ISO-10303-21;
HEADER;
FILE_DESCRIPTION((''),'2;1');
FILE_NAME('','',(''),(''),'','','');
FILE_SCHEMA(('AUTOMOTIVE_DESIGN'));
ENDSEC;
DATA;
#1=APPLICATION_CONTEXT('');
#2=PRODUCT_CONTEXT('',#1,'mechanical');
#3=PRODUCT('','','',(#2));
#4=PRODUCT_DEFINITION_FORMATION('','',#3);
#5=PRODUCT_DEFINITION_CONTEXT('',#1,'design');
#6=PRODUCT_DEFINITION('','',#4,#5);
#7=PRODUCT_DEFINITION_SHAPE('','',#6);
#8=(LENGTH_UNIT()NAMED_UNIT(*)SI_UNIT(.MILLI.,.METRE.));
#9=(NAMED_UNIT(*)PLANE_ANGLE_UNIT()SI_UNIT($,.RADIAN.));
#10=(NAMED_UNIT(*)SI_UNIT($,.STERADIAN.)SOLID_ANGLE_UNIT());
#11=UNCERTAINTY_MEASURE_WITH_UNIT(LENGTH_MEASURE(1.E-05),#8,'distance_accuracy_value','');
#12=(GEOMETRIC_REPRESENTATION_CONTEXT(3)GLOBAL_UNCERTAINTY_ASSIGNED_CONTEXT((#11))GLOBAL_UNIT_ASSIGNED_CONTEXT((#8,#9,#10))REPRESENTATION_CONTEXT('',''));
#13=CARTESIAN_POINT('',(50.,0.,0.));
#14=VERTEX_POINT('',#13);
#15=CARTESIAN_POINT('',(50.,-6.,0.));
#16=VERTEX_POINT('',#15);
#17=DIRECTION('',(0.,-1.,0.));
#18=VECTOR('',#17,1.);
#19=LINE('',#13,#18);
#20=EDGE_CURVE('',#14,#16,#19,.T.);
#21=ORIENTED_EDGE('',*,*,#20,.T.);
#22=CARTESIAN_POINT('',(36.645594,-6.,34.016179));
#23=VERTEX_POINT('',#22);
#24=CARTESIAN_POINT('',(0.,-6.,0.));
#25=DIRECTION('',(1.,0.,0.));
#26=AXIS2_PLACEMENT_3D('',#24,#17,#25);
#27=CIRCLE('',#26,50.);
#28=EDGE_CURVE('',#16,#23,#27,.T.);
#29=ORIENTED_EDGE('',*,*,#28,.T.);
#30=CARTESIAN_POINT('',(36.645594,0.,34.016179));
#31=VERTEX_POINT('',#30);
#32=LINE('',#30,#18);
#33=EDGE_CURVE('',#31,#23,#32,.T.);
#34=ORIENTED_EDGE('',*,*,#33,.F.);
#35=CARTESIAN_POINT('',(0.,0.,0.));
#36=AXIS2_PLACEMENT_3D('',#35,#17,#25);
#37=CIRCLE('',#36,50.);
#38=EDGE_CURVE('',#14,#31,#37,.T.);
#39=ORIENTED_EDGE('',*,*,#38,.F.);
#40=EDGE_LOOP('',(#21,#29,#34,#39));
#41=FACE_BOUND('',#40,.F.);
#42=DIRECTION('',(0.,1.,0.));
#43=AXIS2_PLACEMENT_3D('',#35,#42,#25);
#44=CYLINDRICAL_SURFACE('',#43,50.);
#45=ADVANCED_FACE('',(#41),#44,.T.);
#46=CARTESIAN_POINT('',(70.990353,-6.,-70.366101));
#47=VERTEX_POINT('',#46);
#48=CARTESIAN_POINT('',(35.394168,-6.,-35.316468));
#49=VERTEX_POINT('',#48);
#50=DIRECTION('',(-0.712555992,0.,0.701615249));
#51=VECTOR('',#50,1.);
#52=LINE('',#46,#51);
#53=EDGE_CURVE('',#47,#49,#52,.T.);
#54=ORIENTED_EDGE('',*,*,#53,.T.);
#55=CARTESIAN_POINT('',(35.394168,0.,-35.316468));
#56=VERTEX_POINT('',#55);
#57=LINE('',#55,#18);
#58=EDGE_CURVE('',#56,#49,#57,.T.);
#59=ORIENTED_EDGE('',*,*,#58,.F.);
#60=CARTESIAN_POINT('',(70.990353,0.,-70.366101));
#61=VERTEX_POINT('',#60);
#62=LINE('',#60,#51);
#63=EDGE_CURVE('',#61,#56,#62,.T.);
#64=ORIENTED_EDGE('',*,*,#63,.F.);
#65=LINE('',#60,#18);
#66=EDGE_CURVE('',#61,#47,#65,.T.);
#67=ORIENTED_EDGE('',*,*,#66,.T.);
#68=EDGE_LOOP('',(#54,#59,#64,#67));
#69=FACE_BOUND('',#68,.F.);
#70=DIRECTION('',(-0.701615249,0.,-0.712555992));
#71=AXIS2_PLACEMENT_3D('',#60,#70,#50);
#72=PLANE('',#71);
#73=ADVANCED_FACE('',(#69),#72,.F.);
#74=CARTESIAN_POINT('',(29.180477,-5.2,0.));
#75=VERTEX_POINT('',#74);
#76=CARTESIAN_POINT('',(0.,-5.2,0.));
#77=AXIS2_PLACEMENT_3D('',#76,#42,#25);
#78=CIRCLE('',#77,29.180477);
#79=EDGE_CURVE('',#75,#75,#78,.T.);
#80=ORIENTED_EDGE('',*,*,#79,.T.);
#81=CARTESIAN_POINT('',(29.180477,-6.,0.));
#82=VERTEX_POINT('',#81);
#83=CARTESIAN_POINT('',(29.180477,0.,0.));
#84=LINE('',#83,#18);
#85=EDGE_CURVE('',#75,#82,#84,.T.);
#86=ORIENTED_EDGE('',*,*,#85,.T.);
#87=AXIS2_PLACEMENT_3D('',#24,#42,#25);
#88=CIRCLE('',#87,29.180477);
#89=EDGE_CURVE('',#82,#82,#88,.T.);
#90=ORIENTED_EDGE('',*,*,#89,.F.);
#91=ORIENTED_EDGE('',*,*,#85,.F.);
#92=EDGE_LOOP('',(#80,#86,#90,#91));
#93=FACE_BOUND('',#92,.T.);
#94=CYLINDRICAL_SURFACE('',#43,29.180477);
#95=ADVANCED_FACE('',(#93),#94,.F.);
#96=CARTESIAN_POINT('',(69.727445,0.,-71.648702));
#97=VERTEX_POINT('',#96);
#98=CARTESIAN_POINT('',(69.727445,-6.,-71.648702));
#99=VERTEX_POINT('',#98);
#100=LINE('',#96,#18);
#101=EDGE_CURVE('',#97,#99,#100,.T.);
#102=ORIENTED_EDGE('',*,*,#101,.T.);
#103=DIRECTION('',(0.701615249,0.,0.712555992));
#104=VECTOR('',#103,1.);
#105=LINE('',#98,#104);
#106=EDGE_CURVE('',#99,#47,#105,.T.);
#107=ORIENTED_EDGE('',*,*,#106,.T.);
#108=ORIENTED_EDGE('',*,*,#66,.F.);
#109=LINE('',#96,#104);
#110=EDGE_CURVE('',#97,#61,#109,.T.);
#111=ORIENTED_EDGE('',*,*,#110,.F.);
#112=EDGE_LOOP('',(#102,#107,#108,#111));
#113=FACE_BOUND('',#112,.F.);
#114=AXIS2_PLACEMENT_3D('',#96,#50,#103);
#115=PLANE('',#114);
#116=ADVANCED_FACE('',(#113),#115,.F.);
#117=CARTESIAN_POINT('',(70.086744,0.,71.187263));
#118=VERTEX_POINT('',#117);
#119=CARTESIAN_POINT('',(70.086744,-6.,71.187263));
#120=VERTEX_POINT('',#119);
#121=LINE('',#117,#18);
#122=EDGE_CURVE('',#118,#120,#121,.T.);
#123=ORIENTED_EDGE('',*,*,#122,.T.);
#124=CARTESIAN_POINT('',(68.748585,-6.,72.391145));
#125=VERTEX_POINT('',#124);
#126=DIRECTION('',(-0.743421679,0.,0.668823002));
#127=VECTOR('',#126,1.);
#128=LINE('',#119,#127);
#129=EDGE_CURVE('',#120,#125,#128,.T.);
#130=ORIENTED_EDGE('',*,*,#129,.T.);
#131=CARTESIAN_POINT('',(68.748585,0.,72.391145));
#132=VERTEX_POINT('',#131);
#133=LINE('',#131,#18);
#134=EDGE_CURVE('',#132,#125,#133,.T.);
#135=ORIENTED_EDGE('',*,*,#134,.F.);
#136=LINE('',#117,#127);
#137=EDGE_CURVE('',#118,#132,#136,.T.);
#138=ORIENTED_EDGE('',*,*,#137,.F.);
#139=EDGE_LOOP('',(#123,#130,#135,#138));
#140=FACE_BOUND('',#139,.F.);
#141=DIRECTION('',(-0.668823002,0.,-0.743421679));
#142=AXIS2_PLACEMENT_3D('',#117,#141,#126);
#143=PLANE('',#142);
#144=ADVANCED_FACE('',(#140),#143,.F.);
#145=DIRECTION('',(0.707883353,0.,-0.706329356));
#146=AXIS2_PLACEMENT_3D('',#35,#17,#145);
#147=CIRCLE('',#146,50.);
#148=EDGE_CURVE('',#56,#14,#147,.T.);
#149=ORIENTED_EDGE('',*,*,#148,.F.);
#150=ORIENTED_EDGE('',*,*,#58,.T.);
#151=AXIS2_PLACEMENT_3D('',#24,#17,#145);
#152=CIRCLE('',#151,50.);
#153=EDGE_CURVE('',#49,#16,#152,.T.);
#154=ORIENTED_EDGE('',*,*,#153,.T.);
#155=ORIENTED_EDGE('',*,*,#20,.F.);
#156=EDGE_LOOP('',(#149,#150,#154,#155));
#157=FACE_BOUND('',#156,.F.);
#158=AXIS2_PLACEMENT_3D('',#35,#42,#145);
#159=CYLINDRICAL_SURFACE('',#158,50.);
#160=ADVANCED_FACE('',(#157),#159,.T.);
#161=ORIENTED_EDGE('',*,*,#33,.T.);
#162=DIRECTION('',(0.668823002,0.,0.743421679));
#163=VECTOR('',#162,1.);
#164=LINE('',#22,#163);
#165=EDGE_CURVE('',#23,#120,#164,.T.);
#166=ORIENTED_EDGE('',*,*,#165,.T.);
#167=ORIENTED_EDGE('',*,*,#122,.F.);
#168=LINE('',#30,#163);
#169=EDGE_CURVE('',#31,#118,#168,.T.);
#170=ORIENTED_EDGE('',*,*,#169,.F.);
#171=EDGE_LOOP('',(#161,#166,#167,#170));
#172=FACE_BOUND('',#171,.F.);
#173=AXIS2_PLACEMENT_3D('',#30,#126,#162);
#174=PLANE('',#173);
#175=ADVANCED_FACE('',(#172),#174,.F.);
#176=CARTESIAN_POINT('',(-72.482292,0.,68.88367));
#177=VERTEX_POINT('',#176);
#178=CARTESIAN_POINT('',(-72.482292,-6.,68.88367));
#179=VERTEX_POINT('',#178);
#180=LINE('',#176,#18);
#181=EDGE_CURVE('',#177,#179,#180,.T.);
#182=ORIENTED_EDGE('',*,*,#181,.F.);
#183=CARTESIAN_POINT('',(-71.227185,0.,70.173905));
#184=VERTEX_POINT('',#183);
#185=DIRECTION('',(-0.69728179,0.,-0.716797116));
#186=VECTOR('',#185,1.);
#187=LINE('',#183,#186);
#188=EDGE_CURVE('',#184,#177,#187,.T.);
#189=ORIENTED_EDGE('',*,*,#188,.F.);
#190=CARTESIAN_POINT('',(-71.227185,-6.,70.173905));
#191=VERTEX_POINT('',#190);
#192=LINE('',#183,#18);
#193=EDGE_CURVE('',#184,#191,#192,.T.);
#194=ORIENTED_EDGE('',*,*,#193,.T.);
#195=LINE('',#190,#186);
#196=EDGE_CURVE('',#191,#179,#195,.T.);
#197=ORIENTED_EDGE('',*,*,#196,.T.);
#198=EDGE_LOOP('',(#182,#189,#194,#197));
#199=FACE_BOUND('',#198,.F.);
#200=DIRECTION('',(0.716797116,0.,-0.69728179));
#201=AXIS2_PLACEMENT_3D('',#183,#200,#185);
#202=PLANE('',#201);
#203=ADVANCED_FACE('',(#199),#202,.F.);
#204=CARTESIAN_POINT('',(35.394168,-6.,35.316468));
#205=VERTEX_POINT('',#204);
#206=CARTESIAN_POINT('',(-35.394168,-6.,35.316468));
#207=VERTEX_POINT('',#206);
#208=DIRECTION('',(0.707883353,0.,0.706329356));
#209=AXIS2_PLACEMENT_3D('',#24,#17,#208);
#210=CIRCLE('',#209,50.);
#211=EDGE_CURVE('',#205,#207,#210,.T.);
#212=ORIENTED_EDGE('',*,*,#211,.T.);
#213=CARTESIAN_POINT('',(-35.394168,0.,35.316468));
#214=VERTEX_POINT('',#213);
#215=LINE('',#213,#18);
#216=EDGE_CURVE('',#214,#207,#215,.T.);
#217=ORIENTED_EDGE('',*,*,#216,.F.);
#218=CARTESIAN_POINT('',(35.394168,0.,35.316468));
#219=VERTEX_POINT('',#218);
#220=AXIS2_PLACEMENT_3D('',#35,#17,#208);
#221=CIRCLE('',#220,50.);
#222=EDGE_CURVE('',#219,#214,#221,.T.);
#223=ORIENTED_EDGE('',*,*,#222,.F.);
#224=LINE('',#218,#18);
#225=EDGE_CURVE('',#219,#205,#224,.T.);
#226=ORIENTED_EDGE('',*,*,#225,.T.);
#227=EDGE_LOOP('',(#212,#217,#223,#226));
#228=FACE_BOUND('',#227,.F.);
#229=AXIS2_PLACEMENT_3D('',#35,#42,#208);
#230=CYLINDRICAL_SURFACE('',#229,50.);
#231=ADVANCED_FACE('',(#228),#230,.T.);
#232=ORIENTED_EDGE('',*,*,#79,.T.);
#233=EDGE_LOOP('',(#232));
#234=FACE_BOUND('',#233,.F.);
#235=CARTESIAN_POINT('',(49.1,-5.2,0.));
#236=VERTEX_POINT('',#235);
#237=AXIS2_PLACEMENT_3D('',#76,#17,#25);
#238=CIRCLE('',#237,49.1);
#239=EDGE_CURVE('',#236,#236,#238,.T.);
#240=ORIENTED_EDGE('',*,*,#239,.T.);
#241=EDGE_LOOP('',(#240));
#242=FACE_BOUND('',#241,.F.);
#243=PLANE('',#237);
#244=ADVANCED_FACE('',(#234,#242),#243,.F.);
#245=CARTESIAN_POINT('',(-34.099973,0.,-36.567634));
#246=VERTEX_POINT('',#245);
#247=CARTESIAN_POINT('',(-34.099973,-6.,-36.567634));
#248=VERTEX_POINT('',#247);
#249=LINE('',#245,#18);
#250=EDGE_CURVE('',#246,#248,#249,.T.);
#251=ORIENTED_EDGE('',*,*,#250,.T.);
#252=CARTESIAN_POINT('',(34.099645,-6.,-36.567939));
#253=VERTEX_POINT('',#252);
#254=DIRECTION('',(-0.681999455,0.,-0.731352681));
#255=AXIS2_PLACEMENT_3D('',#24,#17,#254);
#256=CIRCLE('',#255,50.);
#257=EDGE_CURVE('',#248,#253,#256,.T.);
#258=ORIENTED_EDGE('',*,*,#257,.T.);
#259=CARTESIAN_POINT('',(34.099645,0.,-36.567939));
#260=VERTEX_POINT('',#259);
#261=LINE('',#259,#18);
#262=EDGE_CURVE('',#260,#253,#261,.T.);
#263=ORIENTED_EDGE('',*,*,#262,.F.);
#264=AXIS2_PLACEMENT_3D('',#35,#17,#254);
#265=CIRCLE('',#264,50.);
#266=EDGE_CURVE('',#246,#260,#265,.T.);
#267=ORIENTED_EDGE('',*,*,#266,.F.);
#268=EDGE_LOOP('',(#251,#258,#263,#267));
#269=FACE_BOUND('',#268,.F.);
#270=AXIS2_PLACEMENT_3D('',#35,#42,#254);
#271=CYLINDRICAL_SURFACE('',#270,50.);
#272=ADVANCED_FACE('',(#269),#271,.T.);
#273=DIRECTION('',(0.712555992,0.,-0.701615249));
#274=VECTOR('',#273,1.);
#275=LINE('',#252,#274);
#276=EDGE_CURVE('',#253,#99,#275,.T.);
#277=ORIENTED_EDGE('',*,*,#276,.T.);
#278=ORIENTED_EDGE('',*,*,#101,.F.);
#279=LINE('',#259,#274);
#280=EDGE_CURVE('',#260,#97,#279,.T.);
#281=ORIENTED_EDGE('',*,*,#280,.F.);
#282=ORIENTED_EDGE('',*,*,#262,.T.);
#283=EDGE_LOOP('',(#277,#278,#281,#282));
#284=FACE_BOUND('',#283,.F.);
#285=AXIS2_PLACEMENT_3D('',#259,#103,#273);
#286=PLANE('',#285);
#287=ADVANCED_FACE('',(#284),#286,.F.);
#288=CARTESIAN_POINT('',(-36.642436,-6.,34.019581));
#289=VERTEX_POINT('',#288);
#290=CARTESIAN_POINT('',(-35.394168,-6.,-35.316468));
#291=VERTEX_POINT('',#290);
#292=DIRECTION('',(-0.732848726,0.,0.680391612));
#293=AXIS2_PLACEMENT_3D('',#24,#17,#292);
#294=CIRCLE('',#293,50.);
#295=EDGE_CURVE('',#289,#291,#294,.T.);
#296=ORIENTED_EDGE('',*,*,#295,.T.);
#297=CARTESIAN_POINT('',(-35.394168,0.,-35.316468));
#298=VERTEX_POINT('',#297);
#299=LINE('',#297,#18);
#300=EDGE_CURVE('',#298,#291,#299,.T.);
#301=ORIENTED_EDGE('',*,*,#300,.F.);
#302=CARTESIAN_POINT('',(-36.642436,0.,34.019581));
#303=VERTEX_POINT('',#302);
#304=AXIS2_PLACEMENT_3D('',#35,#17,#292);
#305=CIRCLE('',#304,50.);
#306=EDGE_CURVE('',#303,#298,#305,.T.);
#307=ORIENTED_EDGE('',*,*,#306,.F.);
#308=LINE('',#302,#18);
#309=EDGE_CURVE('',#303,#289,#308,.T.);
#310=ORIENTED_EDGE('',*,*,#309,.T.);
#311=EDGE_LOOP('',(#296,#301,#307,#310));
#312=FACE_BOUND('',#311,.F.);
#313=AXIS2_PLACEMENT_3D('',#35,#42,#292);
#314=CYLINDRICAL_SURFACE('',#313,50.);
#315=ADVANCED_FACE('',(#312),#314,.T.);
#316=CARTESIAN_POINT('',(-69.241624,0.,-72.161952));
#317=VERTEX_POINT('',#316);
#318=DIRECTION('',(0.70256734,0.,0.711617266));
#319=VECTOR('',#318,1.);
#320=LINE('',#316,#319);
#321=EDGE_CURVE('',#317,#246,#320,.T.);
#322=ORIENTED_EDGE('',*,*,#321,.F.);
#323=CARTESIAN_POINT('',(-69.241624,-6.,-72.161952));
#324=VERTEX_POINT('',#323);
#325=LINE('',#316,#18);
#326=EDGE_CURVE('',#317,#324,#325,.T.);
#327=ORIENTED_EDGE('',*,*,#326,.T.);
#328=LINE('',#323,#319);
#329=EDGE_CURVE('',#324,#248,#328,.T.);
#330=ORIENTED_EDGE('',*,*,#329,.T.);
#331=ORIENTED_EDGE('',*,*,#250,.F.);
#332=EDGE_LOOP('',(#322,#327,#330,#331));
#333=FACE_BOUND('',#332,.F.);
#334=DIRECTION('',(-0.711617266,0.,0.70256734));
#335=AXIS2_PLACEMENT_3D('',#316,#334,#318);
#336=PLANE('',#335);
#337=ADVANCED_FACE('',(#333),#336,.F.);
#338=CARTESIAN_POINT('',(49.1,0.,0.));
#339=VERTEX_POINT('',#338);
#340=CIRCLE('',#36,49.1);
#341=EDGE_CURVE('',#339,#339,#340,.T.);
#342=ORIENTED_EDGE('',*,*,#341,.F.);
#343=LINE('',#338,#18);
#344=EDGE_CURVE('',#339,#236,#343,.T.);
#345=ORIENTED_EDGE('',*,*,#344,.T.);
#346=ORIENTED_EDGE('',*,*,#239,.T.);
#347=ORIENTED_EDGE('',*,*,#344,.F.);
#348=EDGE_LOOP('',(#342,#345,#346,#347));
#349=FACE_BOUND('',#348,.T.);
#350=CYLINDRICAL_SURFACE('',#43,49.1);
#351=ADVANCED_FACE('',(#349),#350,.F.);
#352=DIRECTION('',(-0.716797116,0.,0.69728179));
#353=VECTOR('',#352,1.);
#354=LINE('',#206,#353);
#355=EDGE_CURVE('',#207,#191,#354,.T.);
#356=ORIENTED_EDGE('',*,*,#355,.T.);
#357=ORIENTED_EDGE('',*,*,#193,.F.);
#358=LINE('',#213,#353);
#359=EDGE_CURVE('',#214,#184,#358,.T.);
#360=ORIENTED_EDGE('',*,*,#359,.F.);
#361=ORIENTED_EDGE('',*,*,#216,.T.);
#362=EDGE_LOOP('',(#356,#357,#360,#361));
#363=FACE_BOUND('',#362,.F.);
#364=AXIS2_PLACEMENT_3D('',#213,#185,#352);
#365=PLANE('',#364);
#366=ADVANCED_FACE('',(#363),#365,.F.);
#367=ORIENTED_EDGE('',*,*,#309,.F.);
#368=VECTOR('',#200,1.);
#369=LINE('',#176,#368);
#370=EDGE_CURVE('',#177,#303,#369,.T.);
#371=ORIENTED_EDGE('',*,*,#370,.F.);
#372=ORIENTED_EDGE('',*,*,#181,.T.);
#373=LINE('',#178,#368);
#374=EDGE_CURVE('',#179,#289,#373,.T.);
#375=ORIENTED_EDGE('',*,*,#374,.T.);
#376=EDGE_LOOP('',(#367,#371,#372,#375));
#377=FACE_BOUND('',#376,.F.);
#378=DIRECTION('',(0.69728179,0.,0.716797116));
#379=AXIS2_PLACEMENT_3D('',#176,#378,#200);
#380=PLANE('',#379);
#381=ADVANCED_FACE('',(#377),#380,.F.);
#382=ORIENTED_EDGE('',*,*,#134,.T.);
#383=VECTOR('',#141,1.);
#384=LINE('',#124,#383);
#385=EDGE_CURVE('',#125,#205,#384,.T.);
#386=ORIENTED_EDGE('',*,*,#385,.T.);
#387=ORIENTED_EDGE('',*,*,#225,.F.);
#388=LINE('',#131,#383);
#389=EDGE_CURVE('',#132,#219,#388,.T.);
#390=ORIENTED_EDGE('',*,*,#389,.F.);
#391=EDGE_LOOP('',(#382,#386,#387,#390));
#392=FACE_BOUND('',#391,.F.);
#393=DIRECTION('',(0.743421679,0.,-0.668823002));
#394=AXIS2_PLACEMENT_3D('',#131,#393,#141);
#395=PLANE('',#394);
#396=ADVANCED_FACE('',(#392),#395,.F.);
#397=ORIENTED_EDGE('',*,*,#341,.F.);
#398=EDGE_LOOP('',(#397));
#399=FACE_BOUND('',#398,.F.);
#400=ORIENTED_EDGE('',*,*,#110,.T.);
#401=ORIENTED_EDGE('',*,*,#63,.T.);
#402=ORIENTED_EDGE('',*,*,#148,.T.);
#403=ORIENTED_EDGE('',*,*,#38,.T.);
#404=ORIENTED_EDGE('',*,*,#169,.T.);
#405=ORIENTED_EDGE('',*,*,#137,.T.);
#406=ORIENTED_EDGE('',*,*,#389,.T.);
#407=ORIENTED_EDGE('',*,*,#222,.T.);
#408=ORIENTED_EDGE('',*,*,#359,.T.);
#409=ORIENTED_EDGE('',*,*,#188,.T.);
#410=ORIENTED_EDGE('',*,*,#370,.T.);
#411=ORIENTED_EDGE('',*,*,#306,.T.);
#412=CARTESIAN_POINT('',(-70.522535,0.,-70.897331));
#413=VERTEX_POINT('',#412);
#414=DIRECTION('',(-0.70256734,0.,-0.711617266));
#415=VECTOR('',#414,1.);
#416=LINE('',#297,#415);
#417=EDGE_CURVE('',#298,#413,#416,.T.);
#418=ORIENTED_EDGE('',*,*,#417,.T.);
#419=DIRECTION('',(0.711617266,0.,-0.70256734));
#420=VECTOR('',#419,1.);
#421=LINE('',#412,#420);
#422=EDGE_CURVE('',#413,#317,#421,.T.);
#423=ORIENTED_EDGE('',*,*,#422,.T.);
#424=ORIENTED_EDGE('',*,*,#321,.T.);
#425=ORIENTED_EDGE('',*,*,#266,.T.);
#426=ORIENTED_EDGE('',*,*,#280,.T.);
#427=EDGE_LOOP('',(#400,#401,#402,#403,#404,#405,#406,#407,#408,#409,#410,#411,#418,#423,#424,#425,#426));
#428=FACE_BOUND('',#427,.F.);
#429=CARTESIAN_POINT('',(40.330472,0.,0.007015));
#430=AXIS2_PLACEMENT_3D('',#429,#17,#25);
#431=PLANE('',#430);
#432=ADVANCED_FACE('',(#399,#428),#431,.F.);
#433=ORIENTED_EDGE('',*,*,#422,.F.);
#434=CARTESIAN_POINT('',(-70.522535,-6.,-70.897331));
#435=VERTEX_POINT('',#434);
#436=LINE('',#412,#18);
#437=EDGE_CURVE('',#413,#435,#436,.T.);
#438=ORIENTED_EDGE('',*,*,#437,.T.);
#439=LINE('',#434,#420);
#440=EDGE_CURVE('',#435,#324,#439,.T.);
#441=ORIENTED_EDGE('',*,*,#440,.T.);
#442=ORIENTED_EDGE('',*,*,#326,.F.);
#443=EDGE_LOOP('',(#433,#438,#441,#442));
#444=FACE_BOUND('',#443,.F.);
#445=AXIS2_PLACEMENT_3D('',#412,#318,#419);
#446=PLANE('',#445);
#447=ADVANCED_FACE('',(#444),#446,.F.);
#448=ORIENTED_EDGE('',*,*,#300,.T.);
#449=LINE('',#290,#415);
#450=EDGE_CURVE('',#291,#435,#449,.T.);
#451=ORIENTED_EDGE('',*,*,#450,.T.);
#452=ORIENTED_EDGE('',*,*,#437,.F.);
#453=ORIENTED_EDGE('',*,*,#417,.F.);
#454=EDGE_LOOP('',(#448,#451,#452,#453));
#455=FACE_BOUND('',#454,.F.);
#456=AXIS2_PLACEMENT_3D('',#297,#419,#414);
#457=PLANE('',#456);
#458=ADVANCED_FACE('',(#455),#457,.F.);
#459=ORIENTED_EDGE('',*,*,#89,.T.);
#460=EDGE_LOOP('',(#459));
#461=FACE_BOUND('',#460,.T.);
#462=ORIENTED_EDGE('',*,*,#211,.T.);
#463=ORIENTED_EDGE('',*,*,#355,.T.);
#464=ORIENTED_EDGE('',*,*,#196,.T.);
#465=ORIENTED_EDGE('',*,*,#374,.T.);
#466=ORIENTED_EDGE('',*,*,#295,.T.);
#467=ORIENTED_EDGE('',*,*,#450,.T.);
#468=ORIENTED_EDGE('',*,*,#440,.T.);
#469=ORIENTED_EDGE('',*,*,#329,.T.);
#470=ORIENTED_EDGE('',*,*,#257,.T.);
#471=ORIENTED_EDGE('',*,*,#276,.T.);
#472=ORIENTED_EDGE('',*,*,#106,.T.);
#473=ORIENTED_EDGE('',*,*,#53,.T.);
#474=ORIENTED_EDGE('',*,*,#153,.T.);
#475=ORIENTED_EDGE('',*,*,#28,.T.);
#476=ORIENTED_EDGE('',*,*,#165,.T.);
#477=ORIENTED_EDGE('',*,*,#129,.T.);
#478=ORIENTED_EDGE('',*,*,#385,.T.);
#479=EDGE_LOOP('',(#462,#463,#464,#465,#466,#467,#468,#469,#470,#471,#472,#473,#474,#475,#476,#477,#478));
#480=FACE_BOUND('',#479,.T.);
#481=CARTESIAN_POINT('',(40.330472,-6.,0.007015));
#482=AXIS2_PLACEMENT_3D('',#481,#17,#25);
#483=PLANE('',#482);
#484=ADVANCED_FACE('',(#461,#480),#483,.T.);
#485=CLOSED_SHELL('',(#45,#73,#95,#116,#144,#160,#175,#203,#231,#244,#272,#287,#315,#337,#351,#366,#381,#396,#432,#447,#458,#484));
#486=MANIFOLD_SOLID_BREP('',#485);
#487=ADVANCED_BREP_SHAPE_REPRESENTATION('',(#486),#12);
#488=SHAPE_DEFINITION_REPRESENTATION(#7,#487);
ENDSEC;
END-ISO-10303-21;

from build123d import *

# Parameters (mm, degrees)
F0_W     = 70.7883353009
F0_H     = 70.6329355565
F1_DEPTH = 6
F2_R     = 49.1
F3_DEPTH = 5.2
F4_R     = 29.1804773136
F5_DEPTH = 25


with BuildPart() as f1:
    # F0 (on Front) → F1 (new body)
    with BuildSketch(Plane.XZ):
        with BuildLine():
            ThreePointArc((35.3941676505, -35.3164677782), (46.204482372, -19.1087887826), (50, 0))
            ThreePointArc((50, 0), (46.5418074661, 18.2718405693), (36.6455936884, 34.0161794331))
            ThreePointArc((36.6455936884, 34.0161794331), (36.0257476104, 34.6719700784), (35.3941676505, 35.3164677782))
            Line((35.3941676505, 35.3164677782), (35.3941676505, -35.3164677782))
        make_face()
        with BuildLine():
            ThreePointArc((35.3941676505, 35.3164677782), (36.0257476104, 34.6719700784), (36.6455936884, 34.0161794331))
            Line((36.6455936884, 34.0161794331), (70.0867437781, 71.187263365))
            Line((70.0867437781, 71.187263365), (68.7485847566, 72.3911447683))
            Line((68.7485847566, 72.3911447683), (35.3941676505, 35.3164677782))
        make_face()
        with BuildLine():
            Line((70.9903525089, -70.3661009157), (35.3941676505, -35.3164677782))
            ThreePointArc((35.3941676505, -35.3164677782), (34.7525403407, -35.9480310986), (34.0996454535, -36.5679392357))
            Line((34.0996454535, -36.5679392357), (69.7274450602, -71.6487017016))
            Line((69.7274450602, -71.6487017016), (70.9903525089, -70.3661009157))
        make_face()
        with BuildLine():
            ThreePointArc((34.0996454535, -36.5679392357), (34.7525403407, -35.9480310986), (35.3941676505, -35.3164677782))
            Line((35.3941676505, -35.3164677782), (-35.3941676505, -35.3164677782))
            ThreePointArc((-35.3941676505, -35.3164677782), (-34.7527012082, -35.9478755803), (-34.0999727359, -36.5676340418))
            ThreePointArc((-34.0999727359, -36.5676340418), (-0.0002237505, -49.9999999995), (34.0996454535, -36.5679392357))
        make_face()
        Rectangle(F0_W, F0_H)
        with BuildLine():
            Line((-35.3941676505, 35.3164677782), (35.3941676505, 35.3164677782))
            ThreePointArc((35.3941676505, 35.3164677782), (0, 50), (-35.3941676505, 35.3164677782))
        make_face()
        with BuildLine():
            ThreePointArc((-36.6424362928, 34.0195805754), (-49.9918991162, -0.9000126416), (-35.3941676505, -35.3164677782))
            Line((-35.3941676505, -35.3164677782), (-35.3941676505, 35.3164677782))
            ThreePointArc((-35.3941676505, 35.3164677782), (-36.0241385188, 34.6736419197), (-36.6424362928, 34.0195805754))
        make_face()
        with BuildLine():
            ThreePointArc((-34.0999727359, -36.5676340418), (-34.7527012082, -35.9478755803), (-35.3941676505, -35.3164677782))
            Line((-35.3941676505, -35.3164677782), (-70.5225346289, -70.8973310818))
            Line((-70.5225346289, -70.8973310818), (-69.24162355, -72.161952293))
            Line((-69.24162355, -72.161952293), (-34.0999727359, -36.5676340418))
        make_face()
        with BuildLine():
            ThreePointArc((-36.6424362928, 34.0195805754), (-36.0241385188, 34.6736419197), (-35.3941676505, 35.3164677782))
            Line((-35.3941676505, 35.3164677782), (-71.2271848866, 70.1739048632))
            Line((-71.2271848866, 70.1739048632), (-72.4822921078, 68.8836700538))
            Line((-72.4822921078, 68.8836700538), (-36.6424362928, 34.0195805754))
        make_face()
    extrude(amount=F1_DEPTH)

    # F2 (on Front) → F3 (cut)
    with BuildSketch(Plane.XZ):
        Circle(F2_R)
    extrude(amount=F3_DEPTH, mode=Mode.SUBTRACT)

    # F4 (on Front) → F5 (cut)
    with BuildSketch(Plane.XZ):
        Circle(F4_R)
    extrude(amount=F5_DEPTH, mode=Mode.SUBTRACT)


solid = f1.part
